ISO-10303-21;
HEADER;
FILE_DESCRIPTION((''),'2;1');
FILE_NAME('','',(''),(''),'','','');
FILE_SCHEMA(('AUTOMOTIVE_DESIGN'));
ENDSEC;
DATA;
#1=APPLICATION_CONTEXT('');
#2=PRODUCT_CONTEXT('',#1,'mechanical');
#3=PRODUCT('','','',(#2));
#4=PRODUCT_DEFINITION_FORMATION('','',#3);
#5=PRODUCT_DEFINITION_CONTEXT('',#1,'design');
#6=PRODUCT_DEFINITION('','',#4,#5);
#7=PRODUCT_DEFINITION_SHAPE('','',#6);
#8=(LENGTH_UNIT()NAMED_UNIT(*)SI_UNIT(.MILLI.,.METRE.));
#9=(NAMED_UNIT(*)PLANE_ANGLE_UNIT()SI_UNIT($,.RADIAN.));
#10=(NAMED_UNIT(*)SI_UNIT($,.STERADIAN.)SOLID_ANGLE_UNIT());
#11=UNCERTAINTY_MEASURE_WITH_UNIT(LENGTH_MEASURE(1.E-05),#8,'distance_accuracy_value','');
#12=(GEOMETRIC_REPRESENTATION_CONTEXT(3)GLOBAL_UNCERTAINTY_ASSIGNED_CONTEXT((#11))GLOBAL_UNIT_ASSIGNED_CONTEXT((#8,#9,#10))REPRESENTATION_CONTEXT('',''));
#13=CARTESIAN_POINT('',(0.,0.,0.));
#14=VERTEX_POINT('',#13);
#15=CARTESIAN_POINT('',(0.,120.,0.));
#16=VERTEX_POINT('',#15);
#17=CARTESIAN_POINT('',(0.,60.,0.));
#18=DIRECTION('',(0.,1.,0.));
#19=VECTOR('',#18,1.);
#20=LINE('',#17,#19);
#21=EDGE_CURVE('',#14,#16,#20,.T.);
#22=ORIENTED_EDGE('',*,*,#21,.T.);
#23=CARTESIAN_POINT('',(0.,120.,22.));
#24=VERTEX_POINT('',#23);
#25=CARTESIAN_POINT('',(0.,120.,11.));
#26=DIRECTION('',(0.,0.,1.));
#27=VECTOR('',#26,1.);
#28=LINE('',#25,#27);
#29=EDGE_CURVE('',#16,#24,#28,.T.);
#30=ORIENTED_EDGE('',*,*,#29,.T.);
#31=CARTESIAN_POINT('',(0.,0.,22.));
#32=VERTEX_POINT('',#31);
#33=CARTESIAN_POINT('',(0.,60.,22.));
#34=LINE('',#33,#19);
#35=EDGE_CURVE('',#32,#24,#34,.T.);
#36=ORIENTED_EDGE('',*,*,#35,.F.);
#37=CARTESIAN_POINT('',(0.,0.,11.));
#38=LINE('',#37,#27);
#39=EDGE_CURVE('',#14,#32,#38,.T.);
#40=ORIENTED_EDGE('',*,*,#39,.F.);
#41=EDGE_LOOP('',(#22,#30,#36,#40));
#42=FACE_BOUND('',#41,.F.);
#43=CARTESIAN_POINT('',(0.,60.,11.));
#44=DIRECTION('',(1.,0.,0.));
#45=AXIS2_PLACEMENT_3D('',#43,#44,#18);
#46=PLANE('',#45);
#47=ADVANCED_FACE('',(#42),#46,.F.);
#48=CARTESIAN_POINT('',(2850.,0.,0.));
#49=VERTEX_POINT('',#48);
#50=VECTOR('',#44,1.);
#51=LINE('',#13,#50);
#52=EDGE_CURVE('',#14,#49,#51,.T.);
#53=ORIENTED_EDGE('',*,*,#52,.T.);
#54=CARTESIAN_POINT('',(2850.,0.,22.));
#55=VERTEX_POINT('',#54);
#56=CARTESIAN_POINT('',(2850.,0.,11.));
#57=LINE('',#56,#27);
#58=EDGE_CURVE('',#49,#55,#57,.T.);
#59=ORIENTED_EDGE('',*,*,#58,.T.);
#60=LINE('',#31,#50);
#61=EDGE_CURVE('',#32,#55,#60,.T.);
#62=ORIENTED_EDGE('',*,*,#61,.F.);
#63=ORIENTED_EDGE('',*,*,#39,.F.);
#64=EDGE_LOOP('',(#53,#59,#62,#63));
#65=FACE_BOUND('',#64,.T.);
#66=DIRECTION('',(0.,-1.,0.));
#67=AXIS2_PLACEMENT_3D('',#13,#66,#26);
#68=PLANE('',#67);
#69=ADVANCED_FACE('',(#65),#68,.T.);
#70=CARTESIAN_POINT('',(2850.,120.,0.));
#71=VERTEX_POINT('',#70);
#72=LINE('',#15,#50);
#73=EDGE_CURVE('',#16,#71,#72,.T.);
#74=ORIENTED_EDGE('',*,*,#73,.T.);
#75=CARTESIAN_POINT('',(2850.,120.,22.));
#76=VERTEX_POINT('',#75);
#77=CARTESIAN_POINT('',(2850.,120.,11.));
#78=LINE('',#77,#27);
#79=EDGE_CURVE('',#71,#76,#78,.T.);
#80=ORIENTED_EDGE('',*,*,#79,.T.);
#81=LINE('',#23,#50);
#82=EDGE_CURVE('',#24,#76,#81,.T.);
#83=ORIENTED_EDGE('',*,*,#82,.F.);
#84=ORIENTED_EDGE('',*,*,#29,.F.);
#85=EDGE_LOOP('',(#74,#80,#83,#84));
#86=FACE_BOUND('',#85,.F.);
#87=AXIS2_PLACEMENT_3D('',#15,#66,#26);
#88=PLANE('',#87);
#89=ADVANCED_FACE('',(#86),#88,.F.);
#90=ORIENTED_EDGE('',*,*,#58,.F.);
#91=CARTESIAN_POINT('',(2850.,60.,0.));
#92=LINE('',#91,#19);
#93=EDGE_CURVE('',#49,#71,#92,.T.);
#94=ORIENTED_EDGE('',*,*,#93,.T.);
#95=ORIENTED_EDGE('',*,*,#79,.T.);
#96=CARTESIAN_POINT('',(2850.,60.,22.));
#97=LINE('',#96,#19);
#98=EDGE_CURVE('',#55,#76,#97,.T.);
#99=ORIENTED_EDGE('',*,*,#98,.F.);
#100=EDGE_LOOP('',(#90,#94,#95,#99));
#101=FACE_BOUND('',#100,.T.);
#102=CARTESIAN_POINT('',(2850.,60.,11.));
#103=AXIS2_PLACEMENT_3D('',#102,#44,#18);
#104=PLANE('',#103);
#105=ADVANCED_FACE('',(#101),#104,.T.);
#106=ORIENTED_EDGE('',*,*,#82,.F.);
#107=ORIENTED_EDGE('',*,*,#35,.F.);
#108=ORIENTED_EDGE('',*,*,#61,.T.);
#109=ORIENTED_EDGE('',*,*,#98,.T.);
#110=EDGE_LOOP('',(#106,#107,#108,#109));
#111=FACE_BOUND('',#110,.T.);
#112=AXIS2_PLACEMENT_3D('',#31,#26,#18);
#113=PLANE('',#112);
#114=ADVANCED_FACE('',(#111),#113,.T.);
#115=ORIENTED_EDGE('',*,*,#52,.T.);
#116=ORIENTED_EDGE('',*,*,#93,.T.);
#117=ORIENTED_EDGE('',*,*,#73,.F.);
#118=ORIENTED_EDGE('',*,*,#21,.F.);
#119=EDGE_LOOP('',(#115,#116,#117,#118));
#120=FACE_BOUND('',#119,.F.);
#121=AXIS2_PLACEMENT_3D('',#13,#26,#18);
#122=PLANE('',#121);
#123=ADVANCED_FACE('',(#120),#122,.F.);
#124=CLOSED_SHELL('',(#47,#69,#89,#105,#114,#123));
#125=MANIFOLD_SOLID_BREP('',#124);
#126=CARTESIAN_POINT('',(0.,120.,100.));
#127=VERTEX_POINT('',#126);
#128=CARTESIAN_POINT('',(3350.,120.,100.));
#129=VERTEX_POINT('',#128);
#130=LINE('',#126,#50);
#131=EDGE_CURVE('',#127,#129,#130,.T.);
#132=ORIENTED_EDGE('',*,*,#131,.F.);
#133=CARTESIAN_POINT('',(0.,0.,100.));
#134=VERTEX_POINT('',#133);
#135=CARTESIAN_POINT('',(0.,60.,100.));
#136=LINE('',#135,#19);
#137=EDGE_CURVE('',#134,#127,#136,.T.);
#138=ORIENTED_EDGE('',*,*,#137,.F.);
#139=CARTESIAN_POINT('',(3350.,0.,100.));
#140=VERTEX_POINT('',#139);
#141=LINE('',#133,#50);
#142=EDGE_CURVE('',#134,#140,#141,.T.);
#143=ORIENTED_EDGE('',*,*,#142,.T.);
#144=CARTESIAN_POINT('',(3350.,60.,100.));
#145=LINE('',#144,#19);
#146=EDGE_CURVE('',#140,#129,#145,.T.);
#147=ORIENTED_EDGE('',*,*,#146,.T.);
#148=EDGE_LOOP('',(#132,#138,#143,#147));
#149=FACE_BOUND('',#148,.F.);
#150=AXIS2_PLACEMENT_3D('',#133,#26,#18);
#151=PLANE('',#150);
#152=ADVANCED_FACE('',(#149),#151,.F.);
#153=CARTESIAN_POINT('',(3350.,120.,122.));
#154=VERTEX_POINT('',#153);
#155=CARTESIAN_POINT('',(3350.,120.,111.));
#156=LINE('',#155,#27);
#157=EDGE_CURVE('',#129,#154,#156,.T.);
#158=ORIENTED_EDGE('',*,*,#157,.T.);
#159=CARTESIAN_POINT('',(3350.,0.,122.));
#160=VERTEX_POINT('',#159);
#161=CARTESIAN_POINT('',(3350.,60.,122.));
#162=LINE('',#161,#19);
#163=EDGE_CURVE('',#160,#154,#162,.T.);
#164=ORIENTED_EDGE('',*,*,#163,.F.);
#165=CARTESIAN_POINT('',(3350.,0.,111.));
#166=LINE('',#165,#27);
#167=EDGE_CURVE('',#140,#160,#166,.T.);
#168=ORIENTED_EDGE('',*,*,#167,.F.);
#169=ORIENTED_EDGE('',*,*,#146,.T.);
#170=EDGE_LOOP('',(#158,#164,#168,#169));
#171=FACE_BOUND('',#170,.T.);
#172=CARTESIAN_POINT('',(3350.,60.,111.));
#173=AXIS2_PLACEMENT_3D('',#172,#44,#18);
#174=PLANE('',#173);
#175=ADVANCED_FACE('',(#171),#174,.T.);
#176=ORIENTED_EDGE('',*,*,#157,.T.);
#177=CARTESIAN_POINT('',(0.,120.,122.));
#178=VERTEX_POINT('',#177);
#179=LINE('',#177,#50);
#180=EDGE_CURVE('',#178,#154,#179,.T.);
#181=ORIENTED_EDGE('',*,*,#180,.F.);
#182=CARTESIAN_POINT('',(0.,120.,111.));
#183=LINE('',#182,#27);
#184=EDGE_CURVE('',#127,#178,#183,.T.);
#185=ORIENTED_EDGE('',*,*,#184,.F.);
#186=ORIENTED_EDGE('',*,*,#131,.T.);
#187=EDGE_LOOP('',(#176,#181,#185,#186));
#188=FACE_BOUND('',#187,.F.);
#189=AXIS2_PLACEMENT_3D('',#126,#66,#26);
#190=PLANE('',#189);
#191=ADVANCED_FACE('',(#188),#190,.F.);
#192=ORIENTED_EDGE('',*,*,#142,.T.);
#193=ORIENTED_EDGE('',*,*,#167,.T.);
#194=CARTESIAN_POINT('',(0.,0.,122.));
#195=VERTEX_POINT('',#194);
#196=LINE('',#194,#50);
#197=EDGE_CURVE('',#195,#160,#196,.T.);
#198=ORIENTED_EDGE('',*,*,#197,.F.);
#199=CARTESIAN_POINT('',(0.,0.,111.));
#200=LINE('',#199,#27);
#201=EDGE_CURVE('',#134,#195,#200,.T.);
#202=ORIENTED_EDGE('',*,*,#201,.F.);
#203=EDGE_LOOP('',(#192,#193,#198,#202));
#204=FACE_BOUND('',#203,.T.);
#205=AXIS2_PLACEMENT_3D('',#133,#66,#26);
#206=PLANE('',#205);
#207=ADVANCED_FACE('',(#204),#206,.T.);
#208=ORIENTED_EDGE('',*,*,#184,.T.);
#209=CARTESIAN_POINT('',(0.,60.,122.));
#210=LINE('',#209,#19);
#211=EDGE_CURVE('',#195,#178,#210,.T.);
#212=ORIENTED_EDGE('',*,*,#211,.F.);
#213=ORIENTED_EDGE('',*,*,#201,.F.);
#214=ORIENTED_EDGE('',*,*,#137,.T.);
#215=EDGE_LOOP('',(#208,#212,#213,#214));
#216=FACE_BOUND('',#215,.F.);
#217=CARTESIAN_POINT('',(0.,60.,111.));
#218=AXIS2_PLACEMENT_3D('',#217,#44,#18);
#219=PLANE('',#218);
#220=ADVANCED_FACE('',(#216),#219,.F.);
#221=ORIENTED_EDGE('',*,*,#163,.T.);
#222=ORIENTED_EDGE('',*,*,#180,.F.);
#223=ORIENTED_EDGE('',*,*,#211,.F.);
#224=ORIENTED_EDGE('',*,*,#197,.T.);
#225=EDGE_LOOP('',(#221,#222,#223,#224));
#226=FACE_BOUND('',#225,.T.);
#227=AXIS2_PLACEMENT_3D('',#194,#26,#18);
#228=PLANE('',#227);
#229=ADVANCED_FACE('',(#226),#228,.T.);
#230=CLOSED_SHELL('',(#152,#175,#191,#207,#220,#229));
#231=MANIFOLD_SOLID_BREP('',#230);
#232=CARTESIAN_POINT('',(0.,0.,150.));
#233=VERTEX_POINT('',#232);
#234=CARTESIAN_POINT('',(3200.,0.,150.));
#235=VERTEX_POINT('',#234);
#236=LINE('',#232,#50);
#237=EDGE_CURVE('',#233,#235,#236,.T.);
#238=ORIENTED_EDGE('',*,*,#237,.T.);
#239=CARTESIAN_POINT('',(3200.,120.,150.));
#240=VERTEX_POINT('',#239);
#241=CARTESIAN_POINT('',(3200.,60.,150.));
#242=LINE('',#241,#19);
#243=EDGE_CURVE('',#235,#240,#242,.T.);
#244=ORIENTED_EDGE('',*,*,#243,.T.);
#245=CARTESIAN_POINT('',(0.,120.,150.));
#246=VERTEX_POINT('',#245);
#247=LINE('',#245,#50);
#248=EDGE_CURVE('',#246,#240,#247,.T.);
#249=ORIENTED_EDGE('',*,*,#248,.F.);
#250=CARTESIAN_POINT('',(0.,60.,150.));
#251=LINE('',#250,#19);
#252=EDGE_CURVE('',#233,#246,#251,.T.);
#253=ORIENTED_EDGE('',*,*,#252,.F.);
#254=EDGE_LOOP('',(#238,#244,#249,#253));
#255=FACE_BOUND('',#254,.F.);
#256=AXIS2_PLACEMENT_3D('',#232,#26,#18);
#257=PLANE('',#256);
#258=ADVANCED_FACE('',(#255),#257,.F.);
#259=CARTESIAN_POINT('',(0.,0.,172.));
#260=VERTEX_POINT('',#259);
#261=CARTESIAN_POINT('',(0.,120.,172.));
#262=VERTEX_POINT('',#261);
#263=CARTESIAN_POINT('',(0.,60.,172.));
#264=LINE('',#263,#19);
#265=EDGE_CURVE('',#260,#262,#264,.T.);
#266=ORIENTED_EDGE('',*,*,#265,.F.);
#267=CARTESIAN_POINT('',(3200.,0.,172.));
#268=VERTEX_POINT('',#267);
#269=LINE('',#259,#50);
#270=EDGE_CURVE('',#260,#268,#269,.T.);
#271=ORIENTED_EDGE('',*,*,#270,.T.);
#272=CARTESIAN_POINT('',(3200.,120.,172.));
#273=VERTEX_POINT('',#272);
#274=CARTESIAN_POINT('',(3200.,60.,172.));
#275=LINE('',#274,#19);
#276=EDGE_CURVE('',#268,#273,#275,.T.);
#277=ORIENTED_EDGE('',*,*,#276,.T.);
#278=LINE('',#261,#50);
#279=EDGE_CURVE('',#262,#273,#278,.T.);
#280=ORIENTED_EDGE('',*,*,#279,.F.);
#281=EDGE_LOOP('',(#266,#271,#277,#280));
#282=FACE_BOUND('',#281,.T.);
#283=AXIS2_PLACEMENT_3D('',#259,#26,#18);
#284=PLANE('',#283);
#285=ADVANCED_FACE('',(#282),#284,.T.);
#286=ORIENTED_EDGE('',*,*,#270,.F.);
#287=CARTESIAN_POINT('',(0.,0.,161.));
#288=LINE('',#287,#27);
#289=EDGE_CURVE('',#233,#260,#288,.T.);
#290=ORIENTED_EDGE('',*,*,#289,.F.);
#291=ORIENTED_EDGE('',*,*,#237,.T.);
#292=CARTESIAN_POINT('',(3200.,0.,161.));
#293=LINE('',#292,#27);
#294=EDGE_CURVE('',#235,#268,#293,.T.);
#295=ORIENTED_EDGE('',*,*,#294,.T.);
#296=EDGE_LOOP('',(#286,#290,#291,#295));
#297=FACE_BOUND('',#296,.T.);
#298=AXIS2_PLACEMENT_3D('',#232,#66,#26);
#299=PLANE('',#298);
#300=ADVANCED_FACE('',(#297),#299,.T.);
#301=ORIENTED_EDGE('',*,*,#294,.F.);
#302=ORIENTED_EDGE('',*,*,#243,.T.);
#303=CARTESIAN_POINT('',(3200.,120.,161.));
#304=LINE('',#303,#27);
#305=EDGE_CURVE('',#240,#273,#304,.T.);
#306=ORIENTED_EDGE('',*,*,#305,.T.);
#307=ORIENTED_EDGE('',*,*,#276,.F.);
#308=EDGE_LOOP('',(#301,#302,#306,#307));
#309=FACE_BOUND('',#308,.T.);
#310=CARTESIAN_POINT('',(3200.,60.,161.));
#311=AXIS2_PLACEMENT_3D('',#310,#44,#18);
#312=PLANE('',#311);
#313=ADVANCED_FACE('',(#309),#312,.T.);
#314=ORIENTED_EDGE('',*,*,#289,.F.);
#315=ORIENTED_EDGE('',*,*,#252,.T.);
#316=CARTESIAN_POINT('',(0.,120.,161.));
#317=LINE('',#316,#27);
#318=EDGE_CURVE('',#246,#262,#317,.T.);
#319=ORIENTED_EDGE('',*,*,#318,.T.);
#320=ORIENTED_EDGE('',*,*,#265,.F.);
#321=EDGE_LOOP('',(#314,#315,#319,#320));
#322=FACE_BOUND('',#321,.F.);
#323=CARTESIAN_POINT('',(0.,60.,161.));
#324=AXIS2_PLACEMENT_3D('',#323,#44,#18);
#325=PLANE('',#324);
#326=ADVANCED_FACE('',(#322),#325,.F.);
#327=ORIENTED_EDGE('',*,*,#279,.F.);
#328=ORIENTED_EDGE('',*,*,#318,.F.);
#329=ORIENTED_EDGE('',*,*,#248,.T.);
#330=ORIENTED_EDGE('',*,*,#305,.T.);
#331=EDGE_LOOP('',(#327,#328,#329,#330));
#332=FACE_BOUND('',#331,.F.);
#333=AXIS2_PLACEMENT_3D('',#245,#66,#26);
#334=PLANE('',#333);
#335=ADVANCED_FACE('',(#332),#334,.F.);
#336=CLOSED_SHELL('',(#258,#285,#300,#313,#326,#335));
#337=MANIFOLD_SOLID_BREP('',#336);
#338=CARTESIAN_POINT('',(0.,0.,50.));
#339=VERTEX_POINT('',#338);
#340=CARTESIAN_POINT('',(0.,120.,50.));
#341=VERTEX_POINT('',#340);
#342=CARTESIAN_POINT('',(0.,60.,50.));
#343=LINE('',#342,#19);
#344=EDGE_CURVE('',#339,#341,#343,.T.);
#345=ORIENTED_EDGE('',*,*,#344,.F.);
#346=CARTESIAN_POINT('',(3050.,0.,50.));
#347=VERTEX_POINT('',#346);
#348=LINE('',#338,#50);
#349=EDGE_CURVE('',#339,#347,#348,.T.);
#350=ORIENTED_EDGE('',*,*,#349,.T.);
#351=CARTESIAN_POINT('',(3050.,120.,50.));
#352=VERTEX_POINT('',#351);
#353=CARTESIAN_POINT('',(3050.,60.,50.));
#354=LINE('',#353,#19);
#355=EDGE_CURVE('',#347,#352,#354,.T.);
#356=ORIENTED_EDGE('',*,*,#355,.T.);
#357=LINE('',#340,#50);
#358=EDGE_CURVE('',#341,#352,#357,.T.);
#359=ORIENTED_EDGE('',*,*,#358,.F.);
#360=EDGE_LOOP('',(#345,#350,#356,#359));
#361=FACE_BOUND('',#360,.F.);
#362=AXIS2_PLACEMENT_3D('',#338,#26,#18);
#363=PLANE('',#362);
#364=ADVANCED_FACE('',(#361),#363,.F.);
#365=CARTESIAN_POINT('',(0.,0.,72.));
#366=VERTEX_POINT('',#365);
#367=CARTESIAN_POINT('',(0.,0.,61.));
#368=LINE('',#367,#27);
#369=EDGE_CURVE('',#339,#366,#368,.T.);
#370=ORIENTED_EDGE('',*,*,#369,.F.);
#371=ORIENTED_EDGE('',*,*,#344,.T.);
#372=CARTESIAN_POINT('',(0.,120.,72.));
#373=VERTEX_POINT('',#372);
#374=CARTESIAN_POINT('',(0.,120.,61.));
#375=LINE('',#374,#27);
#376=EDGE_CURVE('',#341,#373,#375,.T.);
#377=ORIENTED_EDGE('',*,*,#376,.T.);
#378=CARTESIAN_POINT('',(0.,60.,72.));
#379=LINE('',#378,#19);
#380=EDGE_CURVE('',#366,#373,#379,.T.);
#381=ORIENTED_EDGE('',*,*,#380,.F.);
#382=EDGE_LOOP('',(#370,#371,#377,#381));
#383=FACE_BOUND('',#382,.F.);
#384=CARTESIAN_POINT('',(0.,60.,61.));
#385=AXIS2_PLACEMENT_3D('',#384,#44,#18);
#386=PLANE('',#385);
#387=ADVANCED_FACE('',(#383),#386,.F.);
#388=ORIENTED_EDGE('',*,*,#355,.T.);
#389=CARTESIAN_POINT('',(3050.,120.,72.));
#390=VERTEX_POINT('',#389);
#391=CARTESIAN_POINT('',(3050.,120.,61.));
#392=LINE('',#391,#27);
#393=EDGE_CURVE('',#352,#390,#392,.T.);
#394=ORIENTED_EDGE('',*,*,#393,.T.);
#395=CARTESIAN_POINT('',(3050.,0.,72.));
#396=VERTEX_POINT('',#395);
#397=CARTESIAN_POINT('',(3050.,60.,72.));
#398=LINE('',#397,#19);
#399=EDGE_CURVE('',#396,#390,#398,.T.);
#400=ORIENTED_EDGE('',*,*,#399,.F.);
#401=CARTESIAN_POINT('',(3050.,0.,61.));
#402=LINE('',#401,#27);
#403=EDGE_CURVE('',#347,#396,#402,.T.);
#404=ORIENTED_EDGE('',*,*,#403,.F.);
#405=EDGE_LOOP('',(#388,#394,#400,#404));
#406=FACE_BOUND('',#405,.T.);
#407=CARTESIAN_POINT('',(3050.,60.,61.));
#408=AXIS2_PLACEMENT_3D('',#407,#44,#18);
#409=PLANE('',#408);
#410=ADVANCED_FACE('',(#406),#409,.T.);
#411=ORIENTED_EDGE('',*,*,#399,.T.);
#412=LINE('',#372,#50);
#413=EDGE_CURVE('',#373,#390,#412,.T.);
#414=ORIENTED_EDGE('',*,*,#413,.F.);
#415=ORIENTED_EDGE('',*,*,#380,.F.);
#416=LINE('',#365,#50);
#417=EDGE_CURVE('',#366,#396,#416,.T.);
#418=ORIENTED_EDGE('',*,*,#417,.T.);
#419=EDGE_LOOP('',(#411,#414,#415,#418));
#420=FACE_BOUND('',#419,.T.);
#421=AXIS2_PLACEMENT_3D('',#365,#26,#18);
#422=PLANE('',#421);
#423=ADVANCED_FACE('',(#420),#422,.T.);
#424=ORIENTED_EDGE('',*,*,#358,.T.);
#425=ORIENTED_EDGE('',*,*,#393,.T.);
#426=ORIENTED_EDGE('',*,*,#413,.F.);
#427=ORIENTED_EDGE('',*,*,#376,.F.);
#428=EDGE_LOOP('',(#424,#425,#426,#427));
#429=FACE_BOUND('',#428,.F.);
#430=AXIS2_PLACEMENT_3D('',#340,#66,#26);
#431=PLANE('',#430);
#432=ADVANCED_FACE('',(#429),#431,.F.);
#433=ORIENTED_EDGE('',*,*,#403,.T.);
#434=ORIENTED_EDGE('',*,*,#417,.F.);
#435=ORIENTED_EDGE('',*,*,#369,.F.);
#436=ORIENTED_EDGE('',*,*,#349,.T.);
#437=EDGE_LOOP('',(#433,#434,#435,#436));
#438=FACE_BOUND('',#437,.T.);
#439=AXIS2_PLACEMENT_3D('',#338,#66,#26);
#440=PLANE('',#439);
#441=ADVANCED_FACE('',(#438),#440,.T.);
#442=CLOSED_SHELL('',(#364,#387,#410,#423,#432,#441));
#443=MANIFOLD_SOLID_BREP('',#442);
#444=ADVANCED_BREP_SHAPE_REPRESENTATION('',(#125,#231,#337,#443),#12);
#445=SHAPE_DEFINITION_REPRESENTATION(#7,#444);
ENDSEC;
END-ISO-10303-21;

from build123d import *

# Parameters (mm, degrees)
F0_W     = 120
F0_H     = 22
F1_DEPTH = 2850
F2_DEPTH = 3050
F3_DEPTH = 3350
F4_DEPTH = 3200


with BuildPart() as f1:
    # F0 (on Right) → F1 (new body)
    with BuildSketch(Plane.YZ):
        with Locations((60, 11)):
            Rectangle(F0_W, F0_H)
    extrude(amount=F1_DEPTH)


with BuildPart() as f2:
    # F0 (on Right) → F2 (new body)
    with BuildSketch(Plane.YZ):
        with Locations((60, 61)):
            Rectangle(F0_W, F0_H)
    extrude(amount=F2_DEPTH)


with BuildPart() as f3:
    # F0 (on Right) → F3 (new body)
    with BuildSketch(Plane.YZ):
        with Locations((60, 111)):
            Rectangle(F0_W, F0_H)
    extrude(amount=F3_DEPTH)


with BuildPart() as f4:
    # F0 (on Right) → F4 (new body)
    with BuildSketch(Plane.YZ):
        with Locations((60, 161)):
            Rectangle(F0_W, F0_H)
    extrude(amount=F4_DEPTH)


solid = Compound([f1.part, f2.part, f3.part, f4.part])
